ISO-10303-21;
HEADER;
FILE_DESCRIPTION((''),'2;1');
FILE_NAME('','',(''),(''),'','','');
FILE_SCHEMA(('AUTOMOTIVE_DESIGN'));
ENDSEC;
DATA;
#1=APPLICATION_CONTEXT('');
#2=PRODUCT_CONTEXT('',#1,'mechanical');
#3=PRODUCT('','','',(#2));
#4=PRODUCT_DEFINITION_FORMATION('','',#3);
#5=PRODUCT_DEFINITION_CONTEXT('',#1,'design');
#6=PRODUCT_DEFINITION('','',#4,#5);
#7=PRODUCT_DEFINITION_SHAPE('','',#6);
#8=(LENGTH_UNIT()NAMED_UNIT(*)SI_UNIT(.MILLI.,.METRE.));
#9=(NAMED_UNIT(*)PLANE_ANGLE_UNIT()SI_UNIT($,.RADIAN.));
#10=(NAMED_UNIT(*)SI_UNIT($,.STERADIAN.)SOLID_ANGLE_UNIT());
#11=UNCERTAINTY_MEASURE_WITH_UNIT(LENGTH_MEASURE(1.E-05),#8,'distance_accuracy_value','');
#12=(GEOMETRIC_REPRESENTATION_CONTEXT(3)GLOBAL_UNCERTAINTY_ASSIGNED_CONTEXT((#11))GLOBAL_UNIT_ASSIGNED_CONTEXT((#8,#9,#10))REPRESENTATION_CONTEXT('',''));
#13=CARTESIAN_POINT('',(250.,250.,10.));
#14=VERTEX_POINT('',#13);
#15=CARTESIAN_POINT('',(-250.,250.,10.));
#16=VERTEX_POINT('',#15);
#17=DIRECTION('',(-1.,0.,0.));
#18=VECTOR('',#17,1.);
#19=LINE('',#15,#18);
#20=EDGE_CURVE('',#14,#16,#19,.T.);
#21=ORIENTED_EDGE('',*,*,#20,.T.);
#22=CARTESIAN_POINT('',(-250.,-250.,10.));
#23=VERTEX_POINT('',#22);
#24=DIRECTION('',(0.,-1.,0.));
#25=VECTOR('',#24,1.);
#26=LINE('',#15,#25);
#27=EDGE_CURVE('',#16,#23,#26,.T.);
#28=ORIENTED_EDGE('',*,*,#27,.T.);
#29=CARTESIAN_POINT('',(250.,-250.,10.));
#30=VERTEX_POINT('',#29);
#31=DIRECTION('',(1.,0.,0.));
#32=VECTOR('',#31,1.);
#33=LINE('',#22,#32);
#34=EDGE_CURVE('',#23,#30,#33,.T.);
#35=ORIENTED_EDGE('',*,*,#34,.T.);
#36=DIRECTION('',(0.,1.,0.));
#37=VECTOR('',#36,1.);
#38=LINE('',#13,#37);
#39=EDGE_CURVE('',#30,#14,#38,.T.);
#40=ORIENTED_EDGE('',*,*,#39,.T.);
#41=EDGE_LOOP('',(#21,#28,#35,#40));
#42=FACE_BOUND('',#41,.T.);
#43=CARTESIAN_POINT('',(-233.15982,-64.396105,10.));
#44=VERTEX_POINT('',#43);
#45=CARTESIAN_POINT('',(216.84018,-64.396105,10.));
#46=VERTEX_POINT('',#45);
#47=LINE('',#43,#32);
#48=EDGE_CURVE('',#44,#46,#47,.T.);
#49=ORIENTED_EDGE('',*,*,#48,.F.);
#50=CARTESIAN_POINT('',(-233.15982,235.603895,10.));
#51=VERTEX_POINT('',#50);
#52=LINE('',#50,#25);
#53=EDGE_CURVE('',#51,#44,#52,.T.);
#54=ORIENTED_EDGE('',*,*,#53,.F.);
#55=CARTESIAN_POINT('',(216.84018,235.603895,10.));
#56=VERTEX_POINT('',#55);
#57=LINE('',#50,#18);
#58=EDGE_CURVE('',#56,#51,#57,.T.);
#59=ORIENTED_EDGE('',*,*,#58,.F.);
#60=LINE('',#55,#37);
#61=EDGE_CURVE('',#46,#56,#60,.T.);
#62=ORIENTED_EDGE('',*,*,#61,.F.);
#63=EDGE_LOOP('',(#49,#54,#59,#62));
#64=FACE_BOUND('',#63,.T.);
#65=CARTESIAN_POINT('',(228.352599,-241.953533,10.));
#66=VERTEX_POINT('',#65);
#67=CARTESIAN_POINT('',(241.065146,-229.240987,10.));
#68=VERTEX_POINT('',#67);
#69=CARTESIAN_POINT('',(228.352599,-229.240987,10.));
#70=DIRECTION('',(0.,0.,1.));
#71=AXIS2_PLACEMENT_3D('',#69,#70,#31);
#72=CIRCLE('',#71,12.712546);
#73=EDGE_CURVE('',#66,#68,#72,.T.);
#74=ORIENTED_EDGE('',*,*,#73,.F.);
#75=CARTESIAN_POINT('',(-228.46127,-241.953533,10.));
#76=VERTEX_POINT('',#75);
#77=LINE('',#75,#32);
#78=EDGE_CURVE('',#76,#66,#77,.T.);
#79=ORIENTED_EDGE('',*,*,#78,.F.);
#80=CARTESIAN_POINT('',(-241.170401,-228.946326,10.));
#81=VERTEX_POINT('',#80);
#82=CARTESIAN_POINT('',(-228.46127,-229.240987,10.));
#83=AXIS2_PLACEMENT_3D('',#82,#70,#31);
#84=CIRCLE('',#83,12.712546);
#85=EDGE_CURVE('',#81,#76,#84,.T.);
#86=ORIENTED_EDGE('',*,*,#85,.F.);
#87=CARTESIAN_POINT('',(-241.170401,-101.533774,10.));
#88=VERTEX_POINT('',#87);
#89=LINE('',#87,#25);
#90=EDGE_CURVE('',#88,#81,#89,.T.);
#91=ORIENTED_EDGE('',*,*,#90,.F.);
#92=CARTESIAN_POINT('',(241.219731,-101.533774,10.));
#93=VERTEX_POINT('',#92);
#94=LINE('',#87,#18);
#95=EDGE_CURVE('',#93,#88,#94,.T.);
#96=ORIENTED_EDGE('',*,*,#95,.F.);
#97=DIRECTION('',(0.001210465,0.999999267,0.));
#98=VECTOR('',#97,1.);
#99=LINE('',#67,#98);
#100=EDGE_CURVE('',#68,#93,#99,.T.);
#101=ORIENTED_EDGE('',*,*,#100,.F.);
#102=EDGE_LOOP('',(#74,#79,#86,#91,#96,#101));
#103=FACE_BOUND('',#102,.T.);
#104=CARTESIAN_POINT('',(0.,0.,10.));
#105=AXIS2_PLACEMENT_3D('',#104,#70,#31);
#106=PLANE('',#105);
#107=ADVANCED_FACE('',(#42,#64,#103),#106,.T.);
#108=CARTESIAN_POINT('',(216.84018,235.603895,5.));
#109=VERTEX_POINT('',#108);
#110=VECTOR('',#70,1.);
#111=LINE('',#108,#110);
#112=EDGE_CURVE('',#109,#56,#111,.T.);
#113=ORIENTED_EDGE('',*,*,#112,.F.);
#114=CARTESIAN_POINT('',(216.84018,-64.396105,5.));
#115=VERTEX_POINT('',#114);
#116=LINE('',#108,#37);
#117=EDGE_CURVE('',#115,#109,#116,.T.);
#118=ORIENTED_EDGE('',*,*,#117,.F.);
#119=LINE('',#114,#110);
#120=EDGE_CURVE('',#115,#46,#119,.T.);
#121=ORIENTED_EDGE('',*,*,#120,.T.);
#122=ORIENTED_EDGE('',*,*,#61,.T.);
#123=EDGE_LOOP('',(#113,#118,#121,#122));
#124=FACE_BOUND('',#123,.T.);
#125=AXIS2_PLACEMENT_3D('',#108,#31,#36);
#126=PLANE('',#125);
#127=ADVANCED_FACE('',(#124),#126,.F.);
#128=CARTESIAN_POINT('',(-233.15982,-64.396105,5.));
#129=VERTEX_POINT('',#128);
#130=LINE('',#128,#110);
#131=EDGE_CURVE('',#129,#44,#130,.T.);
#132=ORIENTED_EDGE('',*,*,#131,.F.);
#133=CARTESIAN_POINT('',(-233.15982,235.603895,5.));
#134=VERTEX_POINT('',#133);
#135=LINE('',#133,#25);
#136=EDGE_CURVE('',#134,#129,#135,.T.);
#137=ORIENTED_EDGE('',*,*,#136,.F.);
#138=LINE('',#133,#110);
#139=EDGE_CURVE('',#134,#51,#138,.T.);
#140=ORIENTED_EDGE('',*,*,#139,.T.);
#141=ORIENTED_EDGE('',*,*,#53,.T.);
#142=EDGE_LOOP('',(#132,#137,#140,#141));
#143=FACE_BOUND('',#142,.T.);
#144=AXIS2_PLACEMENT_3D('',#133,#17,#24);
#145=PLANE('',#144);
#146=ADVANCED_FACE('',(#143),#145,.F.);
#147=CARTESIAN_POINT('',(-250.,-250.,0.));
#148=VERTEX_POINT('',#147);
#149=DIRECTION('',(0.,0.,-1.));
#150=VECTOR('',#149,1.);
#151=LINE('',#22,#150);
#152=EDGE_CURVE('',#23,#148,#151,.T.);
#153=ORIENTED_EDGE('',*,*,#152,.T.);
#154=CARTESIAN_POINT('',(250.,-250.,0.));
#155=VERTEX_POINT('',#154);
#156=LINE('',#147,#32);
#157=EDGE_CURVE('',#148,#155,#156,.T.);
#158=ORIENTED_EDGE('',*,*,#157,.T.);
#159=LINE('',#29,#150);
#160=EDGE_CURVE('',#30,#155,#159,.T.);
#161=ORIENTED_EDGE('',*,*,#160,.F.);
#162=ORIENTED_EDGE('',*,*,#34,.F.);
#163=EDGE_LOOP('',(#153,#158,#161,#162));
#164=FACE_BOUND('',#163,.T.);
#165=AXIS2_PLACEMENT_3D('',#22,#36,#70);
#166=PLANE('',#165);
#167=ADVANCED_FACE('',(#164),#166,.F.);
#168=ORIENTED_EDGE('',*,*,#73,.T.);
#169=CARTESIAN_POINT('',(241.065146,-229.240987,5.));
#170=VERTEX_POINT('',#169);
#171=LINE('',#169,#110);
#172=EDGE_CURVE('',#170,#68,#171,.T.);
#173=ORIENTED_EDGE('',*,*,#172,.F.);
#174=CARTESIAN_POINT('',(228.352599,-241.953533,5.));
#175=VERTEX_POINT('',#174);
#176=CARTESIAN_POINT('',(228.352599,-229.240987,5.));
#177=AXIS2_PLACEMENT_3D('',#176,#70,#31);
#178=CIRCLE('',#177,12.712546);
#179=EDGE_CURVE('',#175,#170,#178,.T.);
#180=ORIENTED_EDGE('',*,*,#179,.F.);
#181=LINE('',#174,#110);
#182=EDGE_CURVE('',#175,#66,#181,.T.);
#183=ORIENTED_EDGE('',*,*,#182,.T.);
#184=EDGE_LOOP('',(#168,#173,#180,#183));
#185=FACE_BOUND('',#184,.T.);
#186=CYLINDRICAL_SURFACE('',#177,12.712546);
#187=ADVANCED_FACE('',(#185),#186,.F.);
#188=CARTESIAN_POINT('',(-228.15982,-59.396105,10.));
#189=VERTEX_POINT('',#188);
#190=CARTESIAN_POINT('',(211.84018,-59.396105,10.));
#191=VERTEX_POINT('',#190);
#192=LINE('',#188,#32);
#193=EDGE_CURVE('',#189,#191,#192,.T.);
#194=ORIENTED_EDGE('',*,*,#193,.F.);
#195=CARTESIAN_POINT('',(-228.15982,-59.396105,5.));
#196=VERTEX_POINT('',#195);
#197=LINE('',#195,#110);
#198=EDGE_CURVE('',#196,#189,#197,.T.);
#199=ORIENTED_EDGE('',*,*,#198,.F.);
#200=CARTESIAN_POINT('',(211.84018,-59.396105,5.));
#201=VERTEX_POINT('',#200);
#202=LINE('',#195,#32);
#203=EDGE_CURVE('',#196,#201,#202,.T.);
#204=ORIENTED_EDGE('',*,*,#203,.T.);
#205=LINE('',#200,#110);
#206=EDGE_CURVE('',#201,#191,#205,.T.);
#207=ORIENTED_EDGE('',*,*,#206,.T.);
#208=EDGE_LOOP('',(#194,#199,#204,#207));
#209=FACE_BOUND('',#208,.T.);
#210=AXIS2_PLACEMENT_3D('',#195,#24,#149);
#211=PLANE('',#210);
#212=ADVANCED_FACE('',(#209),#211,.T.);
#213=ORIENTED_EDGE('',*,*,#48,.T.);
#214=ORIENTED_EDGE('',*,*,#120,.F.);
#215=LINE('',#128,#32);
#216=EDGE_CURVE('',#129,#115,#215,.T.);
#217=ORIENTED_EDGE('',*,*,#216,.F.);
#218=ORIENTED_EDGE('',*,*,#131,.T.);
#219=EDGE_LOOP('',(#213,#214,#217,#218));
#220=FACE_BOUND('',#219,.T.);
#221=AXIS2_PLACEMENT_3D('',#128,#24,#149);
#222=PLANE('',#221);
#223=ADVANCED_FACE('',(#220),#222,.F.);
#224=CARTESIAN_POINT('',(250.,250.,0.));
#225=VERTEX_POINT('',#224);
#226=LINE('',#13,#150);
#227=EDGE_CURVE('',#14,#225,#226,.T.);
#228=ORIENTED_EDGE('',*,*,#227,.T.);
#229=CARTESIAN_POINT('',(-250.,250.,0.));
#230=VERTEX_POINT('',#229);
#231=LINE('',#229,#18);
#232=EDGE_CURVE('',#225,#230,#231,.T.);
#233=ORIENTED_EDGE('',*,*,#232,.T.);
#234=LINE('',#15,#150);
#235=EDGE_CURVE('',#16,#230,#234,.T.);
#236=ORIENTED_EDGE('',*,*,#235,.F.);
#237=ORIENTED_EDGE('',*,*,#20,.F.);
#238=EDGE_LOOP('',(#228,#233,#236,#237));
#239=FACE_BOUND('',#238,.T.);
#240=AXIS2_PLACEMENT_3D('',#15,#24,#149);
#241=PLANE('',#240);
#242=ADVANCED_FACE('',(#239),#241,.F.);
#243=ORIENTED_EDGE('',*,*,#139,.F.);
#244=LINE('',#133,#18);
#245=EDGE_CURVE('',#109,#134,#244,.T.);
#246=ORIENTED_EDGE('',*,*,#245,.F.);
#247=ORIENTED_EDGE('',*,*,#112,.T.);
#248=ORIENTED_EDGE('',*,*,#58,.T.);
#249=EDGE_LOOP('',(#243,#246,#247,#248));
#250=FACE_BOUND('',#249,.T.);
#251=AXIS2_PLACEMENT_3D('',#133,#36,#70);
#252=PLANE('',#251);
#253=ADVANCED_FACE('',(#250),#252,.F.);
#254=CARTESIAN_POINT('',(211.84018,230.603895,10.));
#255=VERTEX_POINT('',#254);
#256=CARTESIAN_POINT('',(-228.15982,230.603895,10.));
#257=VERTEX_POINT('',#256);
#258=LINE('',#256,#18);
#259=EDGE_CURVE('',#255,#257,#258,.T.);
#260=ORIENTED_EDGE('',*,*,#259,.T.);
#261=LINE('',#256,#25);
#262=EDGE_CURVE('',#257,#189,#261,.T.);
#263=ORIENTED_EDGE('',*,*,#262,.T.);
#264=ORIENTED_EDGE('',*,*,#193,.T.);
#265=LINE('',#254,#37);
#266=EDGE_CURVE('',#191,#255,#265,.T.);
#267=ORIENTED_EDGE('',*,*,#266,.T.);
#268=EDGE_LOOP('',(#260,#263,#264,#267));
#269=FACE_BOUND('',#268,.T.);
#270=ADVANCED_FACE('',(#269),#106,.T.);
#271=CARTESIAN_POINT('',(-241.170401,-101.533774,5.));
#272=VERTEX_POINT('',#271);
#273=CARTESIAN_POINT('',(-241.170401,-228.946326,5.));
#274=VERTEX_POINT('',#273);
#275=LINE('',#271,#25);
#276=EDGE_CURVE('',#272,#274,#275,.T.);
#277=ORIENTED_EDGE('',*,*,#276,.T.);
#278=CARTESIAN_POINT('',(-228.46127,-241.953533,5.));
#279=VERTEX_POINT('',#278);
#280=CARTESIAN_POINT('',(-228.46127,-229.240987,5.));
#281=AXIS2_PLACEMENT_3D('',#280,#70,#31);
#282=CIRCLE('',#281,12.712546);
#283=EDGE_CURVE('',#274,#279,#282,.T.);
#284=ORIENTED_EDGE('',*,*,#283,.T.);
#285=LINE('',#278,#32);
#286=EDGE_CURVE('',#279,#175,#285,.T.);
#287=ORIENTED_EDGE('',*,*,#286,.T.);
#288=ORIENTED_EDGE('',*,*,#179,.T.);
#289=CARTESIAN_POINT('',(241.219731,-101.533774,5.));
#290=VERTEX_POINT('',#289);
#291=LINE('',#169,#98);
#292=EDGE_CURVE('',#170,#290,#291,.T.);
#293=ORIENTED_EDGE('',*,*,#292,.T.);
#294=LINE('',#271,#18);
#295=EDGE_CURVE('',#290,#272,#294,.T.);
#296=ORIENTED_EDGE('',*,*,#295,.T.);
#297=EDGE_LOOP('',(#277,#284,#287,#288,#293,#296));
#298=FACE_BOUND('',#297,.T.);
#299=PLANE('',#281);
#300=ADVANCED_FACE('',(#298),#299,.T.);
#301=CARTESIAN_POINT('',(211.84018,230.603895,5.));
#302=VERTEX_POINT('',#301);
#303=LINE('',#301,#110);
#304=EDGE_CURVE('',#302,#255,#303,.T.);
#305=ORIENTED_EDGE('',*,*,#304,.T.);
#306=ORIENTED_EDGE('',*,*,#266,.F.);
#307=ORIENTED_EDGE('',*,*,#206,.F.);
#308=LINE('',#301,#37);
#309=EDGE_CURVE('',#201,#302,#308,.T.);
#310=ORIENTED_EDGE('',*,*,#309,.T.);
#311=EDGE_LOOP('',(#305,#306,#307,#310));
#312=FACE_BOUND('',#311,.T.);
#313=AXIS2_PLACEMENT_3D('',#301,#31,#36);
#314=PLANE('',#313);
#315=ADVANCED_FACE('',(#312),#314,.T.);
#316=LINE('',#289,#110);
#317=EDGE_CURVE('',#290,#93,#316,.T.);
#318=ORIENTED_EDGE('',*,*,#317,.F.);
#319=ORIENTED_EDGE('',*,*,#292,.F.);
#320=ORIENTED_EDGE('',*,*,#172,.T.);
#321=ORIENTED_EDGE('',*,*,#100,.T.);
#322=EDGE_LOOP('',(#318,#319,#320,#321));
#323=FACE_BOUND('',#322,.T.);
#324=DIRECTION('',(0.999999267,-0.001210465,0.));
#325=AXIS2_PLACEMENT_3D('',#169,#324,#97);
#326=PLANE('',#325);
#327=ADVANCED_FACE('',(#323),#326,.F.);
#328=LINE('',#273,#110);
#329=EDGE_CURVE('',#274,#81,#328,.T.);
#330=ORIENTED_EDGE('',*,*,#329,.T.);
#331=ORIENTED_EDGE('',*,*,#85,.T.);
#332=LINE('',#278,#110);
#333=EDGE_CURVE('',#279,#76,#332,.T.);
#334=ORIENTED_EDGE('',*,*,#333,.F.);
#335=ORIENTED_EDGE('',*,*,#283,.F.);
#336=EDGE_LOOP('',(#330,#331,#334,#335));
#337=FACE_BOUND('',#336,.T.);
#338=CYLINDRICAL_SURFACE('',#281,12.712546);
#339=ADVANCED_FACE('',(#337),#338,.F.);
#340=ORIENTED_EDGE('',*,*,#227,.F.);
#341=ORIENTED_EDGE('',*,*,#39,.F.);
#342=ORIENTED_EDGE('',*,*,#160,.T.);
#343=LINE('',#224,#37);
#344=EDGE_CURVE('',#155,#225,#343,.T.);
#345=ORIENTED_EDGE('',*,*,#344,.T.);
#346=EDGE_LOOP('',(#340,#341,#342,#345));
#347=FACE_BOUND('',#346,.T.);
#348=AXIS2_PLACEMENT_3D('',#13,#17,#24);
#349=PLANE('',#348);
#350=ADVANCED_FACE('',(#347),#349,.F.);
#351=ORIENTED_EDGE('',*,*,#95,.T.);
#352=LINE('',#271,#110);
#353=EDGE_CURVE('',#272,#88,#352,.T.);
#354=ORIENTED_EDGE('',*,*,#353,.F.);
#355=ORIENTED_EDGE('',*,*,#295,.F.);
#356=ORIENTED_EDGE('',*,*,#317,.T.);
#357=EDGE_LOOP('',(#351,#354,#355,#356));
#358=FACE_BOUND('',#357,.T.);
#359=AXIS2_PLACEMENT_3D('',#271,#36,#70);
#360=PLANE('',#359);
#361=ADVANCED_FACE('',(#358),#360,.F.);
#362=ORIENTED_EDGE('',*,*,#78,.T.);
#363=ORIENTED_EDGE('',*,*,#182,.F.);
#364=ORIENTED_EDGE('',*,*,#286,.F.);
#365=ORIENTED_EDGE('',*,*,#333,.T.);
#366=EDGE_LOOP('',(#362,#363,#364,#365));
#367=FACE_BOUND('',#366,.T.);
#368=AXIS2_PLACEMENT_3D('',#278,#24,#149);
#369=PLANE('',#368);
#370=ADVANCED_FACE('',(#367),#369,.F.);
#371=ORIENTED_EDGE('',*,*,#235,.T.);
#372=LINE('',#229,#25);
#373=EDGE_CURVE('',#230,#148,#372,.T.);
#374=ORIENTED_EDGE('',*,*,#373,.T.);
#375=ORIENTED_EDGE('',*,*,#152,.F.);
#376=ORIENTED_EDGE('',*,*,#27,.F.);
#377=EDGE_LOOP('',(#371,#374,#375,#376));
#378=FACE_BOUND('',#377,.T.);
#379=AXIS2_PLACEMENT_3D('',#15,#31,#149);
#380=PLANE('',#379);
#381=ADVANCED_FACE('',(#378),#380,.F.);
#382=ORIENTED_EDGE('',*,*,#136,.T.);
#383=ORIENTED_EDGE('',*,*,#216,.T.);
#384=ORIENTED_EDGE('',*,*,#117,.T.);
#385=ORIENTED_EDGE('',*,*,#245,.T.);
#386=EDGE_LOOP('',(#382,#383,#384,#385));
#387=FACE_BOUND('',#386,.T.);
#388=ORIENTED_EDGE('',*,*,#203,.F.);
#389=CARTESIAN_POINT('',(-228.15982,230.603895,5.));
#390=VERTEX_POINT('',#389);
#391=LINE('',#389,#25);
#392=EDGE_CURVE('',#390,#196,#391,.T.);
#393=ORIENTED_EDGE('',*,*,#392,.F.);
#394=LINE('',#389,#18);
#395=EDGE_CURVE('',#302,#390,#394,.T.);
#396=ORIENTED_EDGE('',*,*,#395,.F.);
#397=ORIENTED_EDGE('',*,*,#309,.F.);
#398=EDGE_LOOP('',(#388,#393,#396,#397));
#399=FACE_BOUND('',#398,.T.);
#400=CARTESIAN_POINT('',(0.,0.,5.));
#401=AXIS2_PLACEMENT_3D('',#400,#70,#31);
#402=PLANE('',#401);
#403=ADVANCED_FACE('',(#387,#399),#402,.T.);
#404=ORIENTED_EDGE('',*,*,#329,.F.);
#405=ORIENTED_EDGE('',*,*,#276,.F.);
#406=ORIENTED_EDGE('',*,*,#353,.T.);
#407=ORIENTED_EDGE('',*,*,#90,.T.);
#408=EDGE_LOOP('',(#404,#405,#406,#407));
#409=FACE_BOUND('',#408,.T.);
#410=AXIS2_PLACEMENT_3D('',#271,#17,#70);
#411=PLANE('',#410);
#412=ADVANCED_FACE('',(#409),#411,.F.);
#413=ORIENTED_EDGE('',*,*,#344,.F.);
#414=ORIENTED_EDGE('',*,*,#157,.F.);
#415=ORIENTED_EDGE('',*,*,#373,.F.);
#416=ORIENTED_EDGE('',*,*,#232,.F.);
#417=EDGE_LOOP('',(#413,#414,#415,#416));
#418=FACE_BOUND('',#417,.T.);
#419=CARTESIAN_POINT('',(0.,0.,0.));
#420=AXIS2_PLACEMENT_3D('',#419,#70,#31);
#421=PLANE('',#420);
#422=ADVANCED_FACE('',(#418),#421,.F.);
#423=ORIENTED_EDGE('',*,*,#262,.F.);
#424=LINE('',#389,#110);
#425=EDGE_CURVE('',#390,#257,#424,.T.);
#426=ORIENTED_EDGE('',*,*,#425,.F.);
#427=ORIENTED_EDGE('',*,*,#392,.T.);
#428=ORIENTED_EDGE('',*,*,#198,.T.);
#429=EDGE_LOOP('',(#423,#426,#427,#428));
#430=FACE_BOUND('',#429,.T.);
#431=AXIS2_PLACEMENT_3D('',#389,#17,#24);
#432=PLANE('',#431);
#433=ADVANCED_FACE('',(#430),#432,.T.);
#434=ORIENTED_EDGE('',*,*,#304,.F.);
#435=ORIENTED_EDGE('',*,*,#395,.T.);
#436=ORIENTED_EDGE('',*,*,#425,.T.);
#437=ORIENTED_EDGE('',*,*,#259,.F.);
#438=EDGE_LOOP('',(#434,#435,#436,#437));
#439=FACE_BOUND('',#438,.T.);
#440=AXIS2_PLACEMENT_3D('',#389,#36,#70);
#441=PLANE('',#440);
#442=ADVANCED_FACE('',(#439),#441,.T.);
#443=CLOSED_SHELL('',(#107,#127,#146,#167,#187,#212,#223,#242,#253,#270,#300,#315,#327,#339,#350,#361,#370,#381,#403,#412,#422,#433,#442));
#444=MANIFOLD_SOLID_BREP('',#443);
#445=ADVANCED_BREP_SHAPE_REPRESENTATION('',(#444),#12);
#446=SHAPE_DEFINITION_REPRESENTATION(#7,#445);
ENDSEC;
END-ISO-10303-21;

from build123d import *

# Parameters (mm, degrees)
SKETCH2_W           = 500
SKETCH2_H           = 500
BOSS_EXTRUDE1_DEPTH = 10
CUT_EXTRUDE1_DEPTH  = 5
SKETCH5_W           = 450
SKETCH5_H           = 300
SKETCH5_W_2         = 440
SKETCH5_H_2         = 290
CUT_EXTRUDE2_DEPTH  = 5


with BuildPart() as part:
    # Sketch2 → Boss-Extrude1 (new body)
    with BuildSketch(Plane.XY):
        Rectangle(SKETCH2_W, SKETCH2_H)
    extrude(amount=BOSS_EXTRUDE1_DEPTH)

    # Sketch4 → Cut-Extrude1 (cut)
    with BuildSketch(Plane.XY.offset(10)):
        with BuildLine():
            Line((241.065145693, -229.240987046), (241.219730906, -101.53377405))
            Line((241.219730906, -101.53377405), (-241.170400919, -101.53377405))
            Line((-241.170400919, -101.53377405), (-241.170400919, -228.946326042))
            ThreePointArc((-241.170400919, -228.946326042), (-237.553979354, -238.125325488), (-228.461270123, -241.953533239))
            Line((-228.461270123, -241.953533239), (228.3525995, -241.953533239))
            ThreePointArc((228.3525995, -241.953533239), (237.341727119, -238.230114666), (241.065145693, -229.240987046))
        make_face()
    extrude(amount=-CUT_EXTRUDE1_DEPTH, mode=Mode.SUBTRACT)

    # Sketch5 → Cut-Extrude2 (cut)
    with BuildSketch(Plane.XY.offset(10)):
        with Locations((-8.159820112, 85.603894722)):
            Rectangle(SKETCH5_W, SKETCH5_H)
        with Locations((-8.159820112, 85.603894722)):
            Rectangle(SKETCH5_W_2, SKETCH5_H_2, mode=Mode.SUBTRACT)
    extrude(amount=-CUT_EXTRUDE2_DEPTH, mode=Mode.SUBTRACT)


solid = part.part
